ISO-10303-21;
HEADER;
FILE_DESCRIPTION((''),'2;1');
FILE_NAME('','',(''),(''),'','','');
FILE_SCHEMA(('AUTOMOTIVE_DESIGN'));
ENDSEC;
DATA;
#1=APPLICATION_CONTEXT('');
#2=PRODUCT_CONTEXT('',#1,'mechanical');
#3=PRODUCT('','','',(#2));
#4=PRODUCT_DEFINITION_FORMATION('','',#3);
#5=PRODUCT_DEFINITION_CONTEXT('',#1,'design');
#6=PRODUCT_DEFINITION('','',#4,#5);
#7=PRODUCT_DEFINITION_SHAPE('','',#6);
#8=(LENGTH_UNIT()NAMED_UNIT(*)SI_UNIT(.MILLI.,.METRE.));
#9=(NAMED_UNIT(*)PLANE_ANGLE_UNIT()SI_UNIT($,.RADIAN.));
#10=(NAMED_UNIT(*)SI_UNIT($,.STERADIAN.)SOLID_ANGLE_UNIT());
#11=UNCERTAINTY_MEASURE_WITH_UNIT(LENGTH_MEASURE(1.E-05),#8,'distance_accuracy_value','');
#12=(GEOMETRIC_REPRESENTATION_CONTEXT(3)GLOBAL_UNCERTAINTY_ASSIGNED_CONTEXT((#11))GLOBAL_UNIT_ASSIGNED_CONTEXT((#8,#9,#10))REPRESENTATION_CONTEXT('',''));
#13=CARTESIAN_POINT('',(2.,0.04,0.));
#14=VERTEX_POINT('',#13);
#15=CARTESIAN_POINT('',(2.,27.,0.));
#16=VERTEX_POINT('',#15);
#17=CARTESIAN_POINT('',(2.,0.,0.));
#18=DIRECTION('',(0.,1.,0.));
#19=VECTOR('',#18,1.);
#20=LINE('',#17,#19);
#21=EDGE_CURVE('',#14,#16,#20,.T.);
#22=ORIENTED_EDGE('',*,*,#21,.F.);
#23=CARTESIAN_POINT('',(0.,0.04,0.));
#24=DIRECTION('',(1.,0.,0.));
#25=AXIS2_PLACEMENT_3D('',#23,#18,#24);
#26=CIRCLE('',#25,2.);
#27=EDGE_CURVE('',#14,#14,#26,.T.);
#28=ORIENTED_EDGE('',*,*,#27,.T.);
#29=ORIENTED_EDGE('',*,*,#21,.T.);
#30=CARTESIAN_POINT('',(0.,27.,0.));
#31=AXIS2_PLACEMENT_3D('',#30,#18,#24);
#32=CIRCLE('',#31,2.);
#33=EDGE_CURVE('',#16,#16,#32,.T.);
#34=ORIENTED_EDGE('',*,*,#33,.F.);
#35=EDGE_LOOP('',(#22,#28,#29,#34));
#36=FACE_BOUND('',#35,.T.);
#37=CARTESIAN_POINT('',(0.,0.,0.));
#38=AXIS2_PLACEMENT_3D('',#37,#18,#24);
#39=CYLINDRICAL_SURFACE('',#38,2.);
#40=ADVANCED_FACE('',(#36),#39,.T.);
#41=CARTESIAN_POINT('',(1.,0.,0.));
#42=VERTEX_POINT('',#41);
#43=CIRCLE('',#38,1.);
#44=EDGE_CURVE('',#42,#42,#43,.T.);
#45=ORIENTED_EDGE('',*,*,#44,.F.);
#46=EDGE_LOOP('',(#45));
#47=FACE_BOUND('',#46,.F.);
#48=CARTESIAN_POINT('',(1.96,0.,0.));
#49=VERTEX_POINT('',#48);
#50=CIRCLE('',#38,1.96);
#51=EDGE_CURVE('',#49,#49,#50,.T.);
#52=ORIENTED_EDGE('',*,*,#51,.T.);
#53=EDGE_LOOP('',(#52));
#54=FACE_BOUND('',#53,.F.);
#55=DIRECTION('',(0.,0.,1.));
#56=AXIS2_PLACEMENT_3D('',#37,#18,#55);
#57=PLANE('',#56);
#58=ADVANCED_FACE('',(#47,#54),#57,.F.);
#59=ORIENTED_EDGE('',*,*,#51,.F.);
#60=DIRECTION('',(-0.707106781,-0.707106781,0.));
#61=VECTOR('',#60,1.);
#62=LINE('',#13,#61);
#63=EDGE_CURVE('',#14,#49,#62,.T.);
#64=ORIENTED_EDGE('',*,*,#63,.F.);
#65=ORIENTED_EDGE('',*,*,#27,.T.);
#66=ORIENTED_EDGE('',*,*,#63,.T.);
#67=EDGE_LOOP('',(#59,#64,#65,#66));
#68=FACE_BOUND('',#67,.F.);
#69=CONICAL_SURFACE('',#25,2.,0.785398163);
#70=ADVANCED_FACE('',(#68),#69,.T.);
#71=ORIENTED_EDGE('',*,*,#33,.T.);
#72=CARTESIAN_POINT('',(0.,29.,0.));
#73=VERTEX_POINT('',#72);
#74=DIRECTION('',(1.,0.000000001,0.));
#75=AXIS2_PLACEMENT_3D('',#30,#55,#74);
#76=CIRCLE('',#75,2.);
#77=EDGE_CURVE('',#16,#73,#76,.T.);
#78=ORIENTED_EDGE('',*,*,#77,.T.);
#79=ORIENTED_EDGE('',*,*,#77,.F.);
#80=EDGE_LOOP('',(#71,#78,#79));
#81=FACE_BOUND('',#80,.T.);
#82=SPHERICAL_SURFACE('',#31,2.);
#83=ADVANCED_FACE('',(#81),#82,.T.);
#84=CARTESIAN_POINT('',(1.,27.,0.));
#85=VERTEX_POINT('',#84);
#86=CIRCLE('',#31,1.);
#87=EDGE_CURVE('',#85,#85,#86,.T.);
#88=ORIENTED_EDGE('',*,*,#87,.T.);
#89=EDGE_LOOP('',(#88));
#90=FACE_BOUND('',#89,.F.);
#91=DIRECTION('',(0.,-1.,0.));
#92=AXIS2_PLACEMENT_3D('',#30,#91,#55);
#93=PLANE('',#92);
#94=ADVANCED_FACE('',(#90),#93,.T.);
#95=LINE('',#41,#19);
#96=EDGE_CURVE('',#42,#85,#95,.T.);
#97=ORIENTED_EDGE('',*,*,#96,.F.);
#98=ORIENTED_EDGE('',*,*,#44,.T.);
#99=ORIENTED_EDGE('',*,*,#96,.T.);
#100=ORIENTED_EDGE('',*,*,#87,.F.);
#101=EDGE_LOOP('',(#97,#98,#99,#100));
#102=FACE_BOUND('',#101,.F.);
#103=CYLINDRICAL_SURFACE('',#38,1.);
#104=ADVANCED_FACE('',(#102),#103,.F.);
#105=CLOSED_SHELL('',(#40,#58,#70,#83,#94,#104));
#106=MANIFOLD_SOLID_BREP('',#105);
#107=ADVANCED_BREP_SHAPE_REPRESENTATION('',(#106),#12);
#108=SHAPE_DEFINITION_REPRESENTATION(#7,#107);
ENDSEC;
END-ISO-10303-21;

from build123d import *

# Parameters (mm, degrees)
THICKEN1_T2   = 1
CHAMFER1_SIZE = 0.04


with BuildPart() as body_1:
    # Surface-Revolve1: a surface, the sketch's curves turned about an axis
    with BuildLine(Plane.XY, mode=Mode.PRIVATE) as surface_revolve1_1_path:
        Line((2, 0), (2, 27))
        ThreePointArc((2, 27), (1.414213562, 28.414213562), (0, 29))
    surface_revolve1_1 = Shell.revolve(surface_revolve1_1_path.wire(), 360, Axis((0, 0, 0), (0, 1, 0)))
    add(Solid.thicken(surface_revolve1_1, -THICKEN1_T2))

    # Sketch2 → Revolve1 (revolve)
    with BuildSketch(Plane.XY, mode=Mode.PRIVATE) as revolve1_sk:
        with BuildLine():
            Line((0, 29), (0, 27))
            Line((0, 27), (-2, 27))
            ThreePointArc((-2, 27), (-1.414213562, 28.414213562), (0, 29))
        make_face()
    revolve(revolve1_sk.sketch.rotate(Axis((0, 29, 0), (0, -1, 0)), 270), axis=Axis((0, 29, 0), (0, -1, 0)))

    # Chamfer1
    chamfer1_edges = [body_1.edges().sort_by_distance(p)[0] for p in [
        (-2, 0, 0),
    ]]
    chamfer(chamfer1_edges, length=CHAMFER1_SIZE)


solid = body_1.part
